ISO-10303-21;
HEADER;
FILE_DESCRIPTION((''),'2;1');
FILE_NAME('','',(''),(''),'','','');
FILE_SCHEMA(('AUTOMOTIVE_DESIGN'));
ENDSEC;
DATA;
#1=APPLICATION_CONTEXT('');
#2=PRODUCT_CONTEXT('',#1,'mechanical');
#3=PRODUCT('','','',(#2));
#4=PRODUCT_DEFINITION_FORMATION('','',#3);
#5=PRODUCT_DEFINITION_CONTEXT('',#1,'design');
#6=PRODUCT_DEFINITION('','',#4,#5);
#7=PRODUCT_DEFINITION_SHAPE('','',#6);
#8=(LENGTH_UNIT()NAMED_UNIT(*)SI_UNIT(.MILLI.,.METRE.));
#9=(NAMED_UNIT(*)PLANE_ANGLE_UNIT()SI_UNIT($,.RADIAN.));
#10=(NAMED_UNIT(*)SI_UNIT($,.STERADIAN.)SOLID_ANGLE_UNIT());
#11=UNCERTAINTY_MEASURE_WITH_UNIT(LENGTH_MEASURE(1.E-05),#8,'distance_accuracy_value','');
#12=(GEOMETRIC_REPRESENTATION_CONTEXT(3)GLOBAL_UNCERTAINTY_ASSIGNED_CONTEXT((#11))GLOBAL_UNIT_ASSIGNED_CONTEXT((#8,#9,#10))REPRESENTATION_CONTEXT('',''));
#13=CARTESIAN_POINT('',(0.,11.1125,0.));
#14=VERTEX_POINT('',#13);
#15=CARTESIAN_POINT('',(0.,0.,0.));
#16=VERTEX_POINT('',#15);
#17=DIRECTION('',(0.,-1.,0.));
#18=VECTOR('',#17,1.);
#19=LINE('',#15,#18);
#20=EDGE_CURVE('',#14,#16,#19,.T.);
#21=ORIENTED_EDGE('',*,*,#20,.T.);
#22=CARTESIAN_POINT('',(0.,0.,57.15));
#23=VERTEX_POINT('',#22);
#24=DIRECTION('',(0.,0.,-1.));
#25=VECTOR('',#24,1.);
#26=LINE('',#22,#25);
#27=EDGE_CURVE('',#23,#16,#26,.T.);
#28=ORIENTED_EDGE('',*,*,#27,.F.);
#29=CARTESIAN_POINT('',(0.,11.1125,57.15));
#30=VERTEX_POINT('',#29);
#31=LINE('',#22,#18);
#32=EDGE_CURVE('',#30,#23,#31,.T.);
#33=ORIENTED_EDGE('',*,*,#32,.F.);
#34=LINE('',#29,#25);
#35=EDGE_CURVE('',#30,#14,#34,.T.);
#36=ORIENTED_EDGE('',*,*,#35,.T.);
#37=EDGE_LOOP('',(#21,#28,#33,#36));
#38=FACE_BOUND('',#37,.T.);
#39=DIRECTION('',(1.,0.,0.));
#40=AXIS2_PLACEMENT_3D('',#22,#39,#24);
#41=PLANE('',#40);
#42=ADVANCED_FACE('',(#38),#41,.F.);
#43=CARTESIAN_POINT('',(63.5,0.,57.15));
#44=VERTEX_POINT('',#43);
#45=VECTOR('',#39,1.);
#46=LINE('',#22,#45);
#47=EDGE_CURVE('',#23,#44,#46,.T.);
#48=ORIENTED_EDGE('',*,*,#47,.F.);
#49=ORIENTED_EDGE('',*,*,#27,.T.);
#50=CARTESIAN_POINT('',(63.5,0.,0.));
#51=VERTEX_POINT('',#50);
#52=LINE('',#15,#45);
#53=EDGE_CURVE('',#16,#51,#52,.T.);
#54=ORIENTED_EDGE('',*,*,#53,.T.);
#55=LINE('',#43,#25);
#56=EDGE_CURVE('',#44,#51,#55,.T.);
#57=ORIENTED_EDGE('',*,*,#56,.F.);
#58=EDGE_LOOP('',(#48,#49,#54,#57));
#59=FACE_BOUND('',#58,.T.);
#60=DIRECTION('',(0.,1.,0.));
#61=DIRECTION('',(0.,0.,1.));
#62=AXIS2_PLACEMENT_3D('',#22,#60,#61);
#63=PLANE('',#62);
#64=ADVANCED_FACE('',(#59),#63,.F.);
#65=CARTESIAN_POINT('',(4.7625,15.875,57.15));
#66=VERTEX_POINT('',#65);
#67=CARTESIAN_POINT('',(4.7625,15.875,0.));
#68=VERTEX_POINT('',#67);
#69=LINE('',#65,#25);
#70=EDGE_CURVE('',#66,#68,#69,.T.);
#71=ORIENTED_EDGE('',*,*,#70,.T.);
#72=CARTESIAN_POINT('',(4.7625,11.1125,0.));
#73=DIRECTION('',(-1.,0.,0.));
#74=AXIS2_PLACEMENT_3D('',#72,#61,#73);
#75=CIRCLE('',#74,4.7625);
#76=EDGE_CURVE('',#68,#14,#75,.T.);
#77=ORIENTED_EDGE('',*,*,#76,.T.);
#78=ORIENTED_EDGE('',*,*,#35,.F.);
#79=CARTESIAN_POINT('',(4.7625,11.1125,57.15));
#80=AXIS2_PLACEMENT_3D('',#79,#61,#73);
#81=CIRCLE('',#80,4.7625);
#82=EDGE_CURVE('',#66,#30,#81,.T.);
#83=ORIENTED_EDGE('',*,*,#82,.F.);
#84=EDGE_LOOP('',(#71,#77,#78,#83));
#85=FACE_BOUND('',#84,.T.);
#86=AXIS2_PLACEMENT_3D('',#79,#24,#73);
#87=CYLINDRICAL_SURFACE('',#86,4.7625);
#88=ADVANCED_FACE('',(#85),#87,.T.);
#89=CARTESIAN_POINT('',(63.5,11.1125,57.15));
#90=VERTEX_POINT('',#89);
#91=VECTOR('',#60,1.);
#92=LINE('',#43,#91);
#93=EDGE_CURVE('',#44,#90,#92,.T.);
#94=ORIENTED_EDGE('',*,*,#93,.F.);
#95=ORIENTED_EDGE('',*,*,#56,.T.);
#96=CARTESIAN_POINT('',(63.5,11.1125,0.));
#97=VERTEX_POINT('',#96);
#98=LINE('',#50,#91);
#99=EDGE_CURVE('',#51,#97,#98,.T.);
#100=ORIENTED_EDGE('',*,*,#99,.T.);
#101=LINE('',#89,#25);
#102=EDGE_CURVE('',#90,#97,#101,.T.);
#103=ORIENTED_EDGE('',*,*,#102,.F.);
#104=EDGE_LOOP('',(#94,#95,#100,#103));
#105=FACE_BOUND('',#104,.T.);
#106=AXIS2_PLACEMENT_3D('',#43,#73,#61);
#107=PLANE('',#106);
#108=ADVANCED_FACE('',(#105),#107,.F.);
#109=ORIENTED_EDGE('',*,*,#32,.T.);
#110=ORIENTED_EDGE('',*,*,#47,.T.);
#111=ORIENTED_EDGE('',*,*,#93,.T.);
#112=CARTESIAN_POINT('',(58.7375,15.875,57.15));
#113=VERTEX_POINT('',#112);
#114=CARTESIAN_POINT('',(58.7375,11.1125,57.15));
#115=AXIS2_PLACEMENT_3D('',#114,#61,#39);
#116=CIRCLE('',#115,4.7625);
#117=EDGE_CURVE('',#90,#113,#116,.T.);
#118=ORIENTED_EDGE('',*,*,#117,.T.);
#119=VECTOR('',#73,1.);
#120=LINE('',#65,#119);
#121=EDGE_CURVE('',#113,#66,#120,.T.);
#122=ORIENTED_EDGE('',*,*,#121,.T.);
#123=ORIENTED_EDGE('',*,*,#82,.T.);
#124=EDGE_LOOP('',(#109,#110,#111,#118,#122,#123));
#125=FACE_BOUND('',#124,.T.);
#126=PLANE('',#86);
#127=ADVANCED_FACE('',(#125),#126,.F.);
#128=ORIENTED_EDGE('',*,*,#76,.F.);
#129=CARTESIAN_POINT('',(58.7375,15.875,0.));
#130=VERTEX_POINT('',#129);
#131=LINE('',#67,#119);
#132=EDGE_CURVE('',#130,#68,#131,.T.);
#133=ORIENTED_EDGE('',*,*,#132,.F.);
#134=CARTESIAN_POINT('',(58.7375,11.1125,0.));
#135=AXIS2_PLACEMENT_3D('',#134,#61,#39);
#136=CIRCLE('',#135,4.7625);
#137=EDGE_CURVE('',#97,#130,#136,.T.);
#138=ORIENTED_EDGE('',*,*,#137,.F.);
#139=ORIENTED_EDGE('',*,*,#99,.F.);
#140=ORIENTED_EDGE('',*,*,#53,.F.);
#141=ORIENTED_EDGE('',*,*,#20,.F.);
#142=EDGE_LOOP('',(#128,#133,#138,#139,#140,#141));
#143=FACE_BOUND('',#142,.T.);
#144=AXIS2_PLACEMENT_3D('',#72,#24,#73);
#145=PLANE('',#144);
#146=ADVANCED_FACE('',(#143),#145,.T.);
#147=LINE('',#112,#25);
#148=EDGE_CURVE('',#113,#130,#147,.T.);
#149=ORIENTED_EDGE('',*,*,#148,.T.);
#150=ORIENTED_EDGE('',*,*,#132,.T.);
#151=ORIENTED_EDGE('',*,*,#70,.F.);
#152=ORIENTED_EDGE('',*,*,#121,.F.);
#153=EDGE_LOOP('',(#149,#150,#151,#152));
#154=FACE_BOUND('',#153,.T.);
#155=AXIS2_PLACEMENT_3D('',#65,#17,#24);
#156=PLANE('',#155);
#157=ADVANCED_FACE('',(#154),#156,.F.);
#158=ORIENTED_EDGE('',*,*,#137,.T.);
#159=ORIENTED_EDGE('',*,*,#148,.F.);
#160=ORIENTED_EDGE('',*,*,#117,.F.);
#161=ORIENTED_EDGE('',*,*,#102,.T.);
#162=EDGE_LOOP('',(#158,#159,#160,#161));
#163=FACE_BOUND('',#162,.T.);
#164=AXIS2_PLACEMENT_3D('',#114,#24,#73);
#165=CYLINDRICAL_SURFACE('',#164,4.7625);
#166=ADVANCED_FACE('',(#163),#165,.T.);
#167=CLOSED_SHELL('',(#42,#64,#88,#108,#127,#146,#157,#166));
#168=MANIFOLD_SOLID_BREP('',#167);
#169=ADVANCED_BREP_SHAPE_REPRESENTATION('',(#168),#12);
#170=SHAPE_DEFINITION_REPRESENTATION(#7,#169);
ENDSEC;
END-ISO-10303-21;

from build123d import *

# Parameters (mm, degrees)
BOSS_EXTRUDE1_DEPTH = 57.15


with BuildPart() as part:
    # Sketch1 → Boss-Extrude1 (new body)
    with BuildSketch(Plane.XY):
        with BuildLine():
            Line((0, 0), (63.5, 0))
            Line((63.5, 0), (63.5, 11.1125))
            ThreePointArc((63.5, 11.1125), (62.105096045, 14.480096045), (58.7375, 15.875))
            Line((58.7375, 15.875), (4.7625, 15.875))
            ThreePointArc((4.7625, 15.875), (1.394903955, 14.480096045), (0, 11.1125))
            Line((0, 11.1125), (0, 0))
        make_face()
    extrude(amount=BOSS_EXTRUDE1_DEPTH)


solid = part.part
